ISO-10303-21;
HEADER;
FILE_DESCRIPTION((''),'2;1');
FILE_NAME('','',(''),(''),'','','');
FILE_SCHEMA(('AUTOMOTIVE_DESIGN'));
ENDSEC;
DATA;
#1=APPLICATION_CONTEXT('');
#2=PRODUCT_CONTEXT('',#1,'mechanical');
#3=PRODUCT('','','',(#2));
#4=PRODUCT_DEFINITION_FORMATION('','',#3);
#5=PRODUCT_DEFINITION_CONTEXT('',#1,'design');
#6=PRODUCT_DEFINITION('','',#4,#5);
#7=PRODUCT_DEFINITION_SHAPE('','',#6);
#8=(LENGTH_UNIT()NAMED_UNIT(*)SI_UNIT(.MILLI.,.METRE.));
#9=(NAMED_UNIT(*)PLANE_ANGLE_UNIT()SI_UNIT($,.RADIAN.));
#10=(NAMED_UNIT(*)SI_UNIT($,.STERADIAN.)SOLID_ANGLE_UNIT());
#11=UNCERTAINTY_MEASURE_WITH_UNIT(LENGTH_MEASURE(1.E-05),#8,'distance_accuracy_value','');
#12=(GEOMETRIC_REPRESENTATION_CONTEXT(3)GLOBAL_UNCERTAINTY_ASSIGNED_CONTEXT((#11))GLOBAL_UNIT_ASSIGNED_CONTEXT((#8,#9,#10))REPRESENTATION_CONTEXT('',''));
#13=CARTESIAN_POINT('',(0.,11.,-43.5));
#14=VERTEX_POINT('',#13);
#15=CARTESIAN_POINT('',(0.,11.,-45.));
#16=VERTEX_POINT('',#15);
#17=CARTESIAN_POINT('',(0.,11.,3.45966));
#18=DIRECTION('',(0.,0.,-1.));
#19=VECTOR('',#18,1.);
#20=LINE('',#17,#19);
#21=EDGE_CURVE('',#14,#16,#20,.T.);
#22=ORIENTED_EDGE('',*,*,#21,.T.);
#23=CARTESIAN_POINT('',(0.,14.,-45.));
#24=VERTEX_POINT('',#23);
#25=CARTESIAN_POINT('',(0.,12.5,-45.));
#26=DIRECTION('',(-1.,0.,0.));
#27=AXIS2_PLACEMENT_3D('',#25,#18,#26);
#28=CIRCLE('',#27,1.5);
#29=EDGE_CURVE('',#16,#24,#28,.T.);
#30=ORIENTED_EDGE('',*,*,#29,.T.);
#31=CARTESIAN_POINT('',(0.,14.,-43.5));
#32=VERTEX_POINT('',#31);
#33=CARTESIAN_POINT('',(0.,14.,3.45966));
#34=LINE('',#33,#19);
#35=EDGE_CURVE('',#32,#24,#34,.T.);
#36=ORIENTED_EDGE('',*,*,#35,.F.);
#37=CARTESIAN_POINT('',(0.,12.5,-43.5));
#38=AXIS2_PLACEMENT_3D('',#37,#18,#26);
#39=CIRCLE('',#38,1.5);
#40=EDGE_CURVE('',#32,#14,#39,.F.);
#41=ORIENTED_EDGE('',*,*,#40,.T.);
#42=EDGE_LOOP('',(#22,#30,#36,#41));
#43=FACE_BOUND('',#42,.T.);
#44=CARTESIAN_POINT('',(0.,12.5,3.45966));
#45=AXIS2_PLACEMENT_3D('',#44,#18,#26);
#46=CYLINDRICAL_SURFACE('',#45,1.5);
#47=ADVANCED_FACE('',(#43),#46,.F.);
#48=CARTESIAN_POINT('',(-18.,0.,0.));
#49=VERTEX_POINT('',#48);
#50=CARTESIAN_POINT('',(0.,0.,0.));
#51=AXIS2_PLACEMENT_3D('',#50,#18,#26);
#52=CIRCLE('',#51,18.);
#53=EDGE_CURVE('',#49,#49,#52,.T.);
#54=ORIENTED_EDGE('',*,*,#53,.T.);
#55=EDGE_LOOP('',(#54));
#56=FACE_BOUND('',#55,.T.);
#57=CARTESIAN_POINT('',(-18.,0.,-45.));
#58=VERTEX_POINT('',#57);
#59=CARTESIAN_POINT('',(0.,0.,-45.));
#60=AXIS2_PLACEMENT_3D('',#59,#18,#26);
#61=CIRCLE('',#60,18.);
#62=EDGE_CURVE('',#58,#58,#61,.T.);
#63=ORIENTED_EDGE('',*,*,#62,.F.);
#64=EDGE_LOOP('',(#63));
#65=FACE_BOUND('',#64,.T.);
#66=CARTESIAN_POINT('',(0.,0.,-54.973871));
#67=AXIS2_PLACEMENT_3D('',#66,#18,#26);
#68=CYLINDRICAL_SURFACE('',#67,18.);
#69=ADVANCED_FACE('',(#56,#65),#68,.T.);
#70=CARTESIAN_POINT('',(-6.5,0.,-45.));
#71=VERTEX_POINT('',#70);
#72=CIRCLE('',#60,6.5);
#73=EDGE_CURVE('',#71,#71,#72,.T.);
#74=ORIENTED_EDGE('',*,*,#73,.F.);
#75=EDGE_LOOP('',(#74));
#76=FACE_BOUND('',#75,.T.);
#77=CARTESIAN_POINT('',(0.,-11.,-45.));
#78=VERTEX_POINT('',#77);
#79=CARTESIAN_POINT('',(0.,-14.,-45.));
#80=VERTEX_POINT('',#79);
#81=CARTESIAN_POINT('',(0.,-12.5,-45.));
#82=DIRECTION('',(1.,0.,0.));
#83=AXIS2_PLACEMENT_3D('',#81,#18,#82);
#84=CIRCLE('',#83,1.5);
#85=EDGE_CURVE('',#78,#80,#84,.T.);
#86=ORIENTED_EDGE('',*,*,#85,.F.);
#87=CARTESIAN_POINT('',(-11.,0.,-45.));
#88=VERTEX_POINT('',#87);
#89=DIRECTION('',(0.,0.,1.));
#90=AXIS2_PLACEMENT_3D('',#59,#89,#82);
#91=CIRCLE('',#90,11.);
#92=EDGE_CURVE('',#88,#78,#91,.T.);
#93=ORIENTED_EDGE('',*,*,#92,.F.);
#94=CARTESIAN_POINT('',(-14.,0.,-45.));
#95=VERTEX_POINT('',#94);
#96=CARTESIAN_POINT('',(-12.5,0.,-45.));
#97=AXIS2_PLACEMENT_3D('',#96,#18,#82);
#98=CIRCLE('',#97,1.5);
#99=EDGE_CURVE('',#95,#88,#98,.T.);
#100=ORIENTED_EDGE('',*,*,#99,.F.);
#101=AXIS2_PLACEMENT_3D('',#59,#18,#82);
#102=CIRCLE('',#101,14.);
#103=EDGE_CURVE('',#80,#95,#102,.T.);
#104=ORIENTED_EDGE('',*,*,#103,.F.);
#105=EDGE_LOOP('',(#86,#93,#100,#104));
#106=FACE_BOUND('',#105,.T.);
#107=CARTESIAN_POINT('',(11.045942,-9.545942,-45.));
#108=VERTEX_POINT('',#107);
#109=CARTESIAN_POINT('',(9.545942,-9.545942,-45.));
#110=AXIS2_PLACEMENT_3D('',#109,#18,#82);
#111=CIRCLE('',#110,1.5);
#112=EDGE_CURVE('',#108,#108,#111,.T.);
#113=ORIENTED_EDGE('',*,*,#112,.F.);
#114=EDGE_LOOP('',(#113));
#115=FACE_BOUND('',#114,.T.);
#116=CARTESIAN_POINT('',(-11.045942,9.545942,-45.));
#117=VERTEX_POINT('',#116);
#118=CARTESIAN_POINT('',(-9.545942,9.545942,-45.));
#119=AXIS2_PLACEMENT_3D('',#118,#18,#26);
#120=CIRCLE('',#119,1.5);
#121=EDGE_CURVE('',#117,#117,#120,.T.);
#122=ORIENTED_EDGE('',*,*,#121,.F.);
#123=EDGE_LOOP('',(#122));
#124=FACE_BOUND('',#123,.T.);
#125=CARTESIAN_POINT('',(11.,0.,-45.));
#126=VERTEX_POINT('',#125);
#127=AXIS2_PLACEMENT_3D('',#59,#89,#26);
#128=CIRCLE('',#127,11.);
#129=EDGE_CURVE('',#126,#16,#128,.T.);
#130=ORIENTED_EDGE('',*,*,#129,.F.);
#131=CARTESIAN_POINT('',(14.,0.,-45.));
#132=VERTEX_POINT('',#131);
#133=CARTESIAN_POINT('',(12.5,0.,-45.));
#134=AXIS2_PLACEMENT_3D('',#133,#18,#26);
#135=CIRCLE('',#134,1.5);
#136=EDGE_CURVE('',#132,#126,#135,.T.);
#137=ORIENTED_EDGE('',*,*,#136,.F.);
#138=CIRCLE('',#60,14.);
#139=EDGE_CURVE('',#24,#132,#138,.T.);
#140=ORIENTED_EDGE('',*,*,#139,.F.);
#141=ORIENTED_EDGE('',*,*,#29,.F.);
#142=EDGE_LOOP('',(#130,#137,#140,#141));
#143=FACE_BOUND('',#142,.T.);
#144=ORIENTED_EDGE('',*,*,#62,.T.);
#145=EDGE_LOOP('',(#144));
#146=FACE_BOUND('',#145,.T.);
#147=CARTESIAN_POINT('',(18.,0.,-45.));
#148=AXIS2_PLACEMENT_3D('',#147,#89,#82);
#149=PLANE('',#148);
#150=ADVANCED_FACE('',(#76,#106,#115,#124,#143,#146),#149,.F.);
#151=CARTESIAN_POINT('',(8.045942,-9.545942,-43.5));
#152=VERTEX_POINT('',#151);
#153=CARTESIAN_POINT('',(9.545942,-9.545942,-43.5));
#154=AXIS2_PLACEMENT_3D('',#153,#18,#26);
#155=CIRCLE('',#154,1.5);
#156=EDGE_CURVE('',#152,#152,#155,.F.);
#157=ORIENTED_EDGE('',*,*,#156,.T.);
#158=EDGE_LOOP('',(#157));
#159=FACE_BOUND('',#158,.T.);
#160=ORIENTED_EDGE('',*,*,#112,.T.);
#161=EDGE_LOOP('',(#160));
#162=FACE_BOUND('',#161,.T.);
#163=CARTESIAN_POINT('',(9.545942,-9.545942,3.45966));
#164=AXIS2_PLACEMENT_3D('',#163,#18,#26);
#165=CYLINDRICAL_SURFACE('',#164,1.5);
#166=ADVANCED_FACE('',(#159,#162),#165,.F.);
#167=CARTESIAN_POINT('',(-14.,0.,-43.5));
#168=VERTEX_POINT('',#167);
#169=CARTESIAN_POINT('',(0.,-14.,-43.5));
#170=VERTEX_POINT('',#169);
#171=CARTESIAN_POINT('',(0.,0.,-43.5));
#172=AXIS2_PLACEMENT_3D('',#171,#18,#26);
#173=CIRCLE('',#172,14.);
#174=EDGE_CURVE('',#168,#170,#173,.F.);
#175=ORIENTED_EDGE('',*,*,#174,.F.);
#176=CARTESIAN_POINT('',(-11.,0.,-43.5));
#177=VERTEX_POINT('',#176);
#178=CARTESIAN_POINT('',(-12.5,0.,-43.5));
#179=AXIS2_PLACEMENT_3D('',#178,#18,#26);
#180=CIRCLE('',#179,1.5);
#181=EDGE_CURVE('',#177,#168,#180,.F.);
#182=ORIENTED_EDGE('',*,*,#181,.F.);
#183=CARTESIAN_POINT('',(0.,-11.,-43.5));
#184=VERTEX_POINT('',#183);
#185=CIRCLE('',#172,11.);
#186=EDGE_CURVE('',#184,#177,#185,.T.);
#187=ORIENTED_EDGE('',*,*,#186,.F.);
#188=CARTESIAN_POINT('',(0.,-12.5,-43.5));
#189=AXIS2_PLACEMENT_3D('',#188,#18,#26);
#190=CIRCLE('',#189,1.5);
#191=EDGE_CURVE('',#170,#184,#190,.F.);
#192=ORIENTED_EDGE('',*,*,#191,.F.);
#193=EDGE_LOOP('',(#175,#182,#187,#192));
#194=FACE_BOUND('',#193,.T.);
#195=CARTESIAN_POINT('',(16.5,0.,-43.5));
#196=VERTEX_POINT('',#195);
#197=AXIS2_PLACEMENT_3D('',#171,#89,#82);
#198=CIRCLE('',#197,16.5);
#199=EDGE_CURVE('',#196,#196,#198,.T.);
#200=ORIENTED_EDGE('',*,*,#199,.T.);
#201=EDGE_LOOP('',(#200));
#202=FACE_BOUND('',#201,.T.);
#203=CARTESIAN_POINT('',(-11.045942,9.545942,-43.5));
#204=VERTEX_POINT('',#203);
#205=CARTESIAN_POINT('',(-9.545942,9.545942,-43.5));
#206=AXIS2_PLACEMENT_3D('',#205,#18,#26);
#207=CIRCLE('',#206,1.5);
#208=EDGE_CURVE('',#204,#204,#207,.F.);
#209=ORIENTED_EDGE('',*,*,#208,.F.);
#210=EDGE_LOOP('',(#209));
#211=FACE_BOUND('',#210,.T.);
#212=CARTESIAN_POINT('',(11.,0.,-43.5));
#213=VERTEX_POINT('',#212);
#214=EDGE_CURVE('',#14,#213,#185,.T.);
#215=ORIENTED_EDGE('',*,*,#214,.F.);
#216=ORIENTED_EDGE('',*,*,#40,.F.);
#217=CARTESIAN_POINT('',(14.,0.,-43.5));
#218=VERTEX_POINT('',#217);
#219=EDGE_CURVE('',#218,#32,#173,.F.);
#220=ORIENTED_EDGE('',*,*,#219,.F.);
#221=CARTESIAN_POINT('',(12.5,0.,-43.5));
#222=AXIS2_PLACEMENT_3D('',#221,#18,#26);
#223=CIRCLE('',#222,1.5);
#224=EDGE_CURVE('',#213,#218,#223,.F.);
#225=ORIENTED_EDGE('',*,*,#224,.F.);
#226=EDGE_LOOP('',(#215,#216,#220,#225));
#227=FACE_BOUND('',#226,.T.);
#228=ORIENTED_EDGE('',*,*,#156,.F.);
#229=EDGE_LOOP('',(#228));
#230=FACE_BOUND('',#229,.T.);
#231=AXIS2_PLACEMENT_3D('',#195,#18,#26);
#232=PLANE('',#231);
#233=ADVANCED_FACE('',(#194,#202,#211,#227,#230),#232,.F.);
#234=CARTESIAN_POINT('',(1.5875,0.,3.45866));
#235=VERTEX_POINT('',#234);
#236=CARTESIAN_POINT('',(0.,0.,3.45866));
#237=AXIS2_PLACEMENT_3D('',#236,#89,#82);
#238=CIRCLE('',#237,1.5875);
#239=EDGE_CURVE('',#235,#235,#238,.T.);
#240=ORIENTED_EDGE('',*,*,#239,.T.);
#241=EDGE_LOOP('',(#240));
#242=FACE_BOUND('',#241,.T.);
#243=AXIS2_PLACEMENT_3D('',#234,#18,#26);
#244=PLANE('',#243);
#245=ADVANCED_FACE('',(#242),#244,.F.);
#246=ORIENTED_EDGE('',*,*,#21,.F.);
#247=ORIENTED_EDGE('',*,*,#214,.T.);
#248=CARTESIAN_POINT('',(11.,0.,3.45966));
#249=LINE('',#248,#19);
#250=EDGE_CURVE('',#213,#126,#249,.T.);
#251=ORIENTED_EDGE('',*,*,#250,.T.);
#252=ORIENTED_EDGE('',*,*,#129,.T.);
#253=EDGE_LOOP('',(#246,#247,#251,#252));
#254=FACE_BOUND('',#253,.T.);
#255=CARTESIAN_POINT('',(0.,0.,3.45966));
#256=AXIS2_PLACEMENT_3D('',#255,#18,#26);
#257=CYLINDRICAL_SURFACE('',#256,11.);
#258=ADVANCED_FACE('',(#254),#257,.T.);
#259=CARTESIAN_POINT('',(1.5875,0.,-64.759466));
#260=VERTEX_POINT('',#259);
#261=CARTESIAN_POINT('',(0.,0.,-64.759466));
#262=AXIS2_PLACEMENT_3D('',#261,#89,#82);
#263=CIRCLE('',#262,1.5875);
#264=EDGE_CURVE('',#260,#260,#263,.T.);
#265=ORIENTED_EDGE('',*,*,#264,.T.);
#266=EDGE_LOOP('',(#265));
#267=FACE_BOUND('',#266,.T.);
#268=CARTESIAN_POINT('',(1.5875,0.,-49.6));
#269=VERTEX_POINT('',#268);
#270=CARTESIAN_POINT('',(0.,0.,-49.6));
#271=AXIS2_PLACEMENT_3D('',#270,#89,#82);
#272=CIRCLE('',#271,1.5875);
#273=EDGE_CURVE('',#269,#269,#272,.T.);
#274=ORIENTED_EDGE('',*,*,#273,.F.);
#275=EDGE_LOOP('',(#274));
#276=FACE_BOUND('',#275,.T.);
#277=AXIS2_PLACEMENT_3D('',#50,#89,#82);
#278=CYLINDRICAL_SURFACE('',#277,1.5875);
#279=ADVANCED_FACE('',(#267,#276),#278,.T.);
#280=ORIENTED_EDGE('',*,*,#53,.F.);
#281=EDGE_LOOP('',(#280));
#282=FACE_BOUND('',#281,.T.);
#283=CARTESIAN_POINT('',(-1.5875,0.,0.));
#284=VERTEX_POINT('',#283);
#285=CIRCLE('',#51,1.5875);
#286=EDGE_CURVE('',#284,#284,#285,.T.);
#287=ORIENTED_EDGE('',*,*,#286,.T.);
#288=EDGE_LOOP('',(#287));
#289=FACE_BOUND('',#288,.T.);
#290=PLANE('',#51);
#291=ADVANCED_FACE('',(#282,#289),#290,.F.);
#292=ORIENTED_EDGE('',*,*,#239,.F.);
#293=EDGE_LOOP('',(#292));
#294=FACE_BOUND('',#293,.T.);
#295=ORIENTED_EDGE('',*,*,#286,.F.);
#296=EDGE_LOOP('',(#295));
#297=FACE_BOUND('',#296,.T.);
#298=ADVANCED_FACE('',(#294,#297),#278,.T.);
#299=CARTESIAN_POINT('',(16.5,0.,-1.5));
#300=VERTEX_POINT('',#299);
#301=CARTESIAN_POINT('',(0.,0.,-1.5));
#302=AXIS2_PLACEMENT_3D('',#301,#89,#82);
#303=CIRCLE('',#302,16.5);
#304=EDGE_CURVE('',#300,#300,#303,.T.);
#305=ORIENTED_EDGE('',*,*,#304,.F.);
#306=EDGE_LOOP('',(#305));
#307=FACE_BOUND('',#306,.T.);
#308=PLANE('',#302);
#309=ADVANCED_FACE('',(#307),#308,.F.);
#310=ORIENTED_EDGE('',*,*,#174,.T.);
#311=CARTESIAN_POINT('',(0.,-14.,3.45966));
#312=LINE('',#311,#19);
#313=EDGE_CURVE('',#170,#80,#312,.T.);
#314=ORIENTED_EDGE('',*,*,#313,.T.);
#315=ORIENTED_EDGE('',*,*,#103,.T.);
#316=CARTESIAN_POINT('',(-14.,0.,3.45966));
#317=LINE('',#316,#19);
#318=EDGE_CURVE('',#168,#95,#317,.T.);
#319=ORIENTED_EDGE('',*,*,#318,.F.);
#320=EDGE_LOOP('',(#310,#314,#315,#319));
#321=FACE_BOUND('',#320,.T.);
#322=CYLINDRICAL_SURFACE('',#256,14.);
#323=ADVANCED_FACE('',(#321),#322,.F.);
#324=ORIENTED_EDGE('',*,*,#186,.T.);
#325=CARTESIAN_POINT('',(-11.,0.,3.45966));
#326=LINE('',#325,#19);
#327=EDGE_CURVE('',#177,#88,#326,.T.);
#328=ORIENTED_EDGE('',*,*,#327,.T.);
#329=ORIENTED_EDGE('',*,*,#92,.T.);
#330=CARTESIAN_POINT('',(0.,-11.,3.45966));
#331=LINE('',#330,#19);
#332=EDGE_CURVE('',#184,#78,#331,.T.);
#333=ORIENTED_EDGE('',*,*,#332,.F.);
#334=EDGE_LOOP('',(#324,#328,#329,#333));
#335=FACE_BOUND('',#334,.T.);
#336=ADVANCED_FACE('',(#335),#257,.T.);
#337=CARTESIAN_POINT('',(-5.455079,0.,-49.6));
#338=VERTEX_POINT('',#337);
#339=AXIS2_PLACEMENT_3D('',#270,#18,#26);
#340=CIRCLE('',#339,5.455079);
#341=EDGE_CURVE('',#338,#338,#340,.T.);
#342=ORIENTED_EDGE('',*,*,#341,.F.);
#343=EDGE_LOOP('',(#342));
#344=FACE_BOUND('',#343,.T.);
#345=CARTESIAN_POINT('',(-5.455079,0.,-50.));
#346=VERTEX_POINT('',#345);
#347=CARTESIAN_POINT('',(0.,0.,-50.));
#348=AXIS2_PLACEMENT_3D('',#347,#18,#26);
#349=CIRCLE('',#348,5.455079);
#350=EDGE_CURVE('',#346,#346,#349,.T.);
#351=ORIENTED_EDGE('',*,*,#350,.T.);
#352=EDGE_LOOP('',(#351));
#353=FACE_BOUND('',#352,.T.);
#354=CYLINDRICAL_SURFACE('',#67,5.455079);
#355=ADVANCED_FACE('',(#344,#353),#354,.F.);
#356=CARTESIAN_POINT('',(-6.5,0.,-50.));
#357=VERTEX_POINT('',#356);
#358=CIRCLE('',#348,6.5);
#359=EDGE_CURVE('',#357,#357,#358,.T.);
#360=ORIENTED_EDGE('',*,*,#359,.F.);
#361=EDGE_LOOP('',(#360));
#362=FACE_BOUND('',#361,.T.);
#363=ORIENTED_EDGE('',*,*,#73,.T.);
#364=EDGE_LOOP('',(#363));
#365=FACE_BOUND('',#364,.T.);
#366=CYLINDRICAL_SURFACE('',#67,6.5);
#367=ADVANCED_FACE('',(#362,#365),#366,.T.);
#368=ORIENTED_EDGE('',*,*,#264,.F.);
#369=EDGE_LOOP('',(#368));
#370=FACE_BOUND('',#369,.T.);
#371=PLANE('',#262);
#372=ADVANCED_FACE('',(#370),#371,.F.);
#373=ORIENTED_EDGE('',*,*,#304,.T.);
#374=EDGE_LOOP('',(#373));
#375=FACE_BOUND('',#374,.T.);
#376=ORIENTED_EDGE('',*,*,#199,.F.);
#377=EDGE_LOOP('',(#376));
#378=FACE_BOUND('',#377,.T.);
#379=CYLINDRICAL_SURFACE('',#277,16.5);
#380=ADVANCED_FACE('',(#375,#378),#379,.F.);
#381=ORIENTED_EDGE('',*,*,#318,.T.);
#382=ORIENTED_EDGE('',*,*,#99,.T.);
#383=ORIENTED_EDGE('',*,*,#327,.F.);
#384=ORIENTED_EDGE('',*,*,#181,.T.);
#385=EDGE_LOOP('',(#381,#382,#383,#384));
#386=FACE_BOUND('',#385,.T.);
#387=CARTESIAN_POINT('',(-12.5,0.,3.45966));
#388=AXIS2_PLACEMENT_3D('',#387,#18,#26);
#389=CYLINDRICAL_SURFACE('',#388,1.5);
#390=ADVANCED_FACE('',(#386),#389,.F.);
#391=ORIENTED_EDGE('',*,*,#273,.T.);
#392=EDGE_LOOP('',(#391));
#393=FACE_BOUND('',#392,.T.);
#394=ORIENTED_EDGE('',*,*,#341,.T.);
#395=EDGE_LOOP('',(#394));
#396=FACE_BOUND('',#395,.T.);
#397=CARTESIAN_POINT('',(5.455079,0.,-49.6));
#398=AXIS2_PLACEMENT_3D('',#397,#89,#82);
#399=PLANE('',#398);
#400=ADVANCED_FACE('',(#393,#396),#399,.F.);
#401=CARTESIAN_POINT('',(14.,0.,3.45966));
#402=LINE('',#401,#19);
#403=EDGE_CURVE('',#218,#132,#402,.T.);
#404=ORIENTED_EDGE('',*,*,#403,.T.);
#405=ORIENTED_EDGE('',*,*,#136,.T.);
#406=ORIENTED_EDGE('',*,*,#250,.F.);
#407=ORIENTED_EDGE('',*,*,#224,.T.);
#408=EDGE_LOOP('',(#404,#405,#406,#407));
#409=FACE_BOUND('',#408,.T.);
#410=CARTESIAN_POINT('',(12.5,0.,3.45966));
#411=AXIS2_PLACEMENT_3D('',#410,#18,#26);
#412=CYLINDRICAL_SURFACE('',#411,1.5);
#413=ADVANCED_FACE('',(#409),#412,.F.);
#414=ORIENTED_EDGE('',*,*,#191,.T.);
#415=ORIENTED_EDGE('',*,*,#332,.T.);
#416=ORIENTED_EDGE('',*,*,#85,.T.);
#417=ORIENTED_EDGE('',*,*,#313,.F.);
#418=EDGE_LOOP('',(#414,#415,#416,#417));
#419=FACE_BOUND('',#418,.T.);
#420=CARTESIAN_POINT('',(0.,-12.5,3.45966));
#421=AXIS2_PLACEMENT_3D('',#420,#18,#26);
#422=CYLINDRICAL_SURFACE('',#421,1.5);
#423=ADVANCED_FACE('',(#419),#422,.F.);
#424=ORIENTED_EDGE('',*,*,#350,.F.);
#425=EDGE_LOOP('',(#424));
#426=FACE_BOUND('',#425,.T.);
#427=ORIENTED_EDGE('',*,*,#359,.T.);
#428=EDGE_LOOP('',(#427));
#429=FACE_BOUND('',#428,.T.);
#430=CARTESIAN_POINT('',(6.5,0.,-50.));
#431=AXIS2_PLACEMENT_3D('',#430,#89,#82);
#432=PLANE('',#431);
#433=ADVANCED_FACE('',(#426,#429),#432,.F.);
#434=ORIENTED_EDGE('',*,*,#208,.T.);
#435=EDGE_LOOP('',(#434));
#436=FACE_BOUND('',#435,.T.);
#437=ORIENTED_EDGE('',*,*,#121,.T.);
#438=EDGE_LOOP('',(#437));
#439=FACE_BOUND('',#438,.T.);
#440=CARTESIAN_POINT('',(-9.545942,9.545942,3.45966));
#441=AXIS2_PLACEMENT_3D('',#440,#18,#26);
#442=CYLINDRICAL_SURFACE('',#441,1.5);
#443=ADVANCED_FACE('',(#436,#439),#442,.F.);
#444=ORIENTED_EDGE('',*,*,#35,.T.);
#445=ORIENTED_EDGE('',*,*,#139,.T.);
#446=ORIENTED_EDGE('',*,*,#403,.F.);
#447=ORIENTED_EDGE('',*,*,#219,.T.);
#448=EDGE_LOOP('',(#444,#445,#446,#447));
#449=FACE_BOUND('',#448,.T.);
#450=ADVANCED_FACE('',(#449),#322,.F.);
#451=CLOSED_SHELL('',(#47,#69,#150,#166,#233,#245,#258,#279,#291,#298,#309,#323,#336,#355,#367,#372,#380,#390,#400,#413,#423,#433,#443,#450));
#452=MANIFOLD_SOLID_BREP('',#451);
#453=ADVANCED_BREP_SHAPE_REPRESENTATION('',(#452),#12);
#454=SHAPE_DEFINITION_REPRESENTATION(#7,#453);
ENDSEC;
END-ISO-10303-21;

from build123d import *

# Parameters (mm, degrees)
SKETCH3_W          = 1.5875
SKETCH3_H          = 68.218126879
SKETCH4_W          = 16.5
SKETCH4_H          = 42
CUT_EXTRUDE1_REACH = 56.738
SKETCH5_R          = 1.5


with BuildPart() as part:
    # Sketch2 → Revolve1 (revolve)
    with BuildSketch(Plane(origin=(0, 0, 0), x_dir=(1, 0, 0), z_dir=(0, 1, 0)), mode=Mode.PRIVATE) as revolve1_sk:
        Polygon((0, 0), (18, 0), (18, 45), (6.5, 45), (6.5, 50), (5.455078682, 50), (5.455078682, 49.6), (0, 49.6), align=None)
    revolve(revolve1_sk.sketch.rotate(Axis((0, 0, -54.973870739), (0, 0, 1)), 180), axis=Axis((0, 0, -54.973870739), (0, 0, 1)))

    # Sketch3 → Revolve-Thin1 (revolve)
    with BuildSketch(Plane(origin=(0, 0, 0), x_dir=(1, 0, 0), z_dir=(0, 1, 0)), mode=Mode.PRIVATE) as revolve_thin1_sk:
        with Locations((-0.79375, 30.65040302)):
            Rectangle(SKETCH3_W, SKETCH3_H)
    revolve(revolve_thin1_sk.sketch.rotate(Axis((0, 0, 0), (0, 0, -1)), 180), axis=Axis((0, 0, 0), (0, 0, -1)))

    # Sketch4 → Cut-Revolve2 (revolve, cut)
    with BuildSketch(Plane(origin=(0, 0, 0), x_dir=(1, 0, 0), z_dir=(0, 1, 0))):
        with Locations((8.25, 22.5)):
            Rectangle(SKETCH4_W, SKETCH4_H)
    revolve(axis=Axis((0, 0, 0), (0, 0, -1)), mode=Mode.SUBTRACT)

    # Sketch5 → Cut-Extrude1 (cut, up to next)
    with BuildSketch(Plane(origin=(0, 0, -45), x_dir=(-1, 0, 0), z_dir=(0, 0, -1)), mode=Mode.PRIVATE) as cut_extrude1_sk1:
        with Locations((9.545941546, 9.545941546)):
            Circle(SKETCH5_R)
    cut_extrude1_tool1 = extrude(cut_extrude1_sk1.sketch, amount=-CUT_EXTRUDE1_REACH, mode=Mode.PRIVATE) & part.part
    # Sketch5 → Cut-Extrude1 (cut, up to next)
    with BuildSketch(Plane(origin=(0, 0, -45), x_dir=(-1, 0, 0), z_dir=(0, 0, -1)), mode=Mode.PRIVATE) as cut_extrude1_sk2:
        with Locations((-9.545941546, -9.545941546)):
            Circle(SKETCH5_R)
    cut_extrude1_tool2 = extrude(cut_extrude1_sk2.sketch, amount=-CUT_EXTRUDE1_REACH, mode=Mode.PRIVATE) & part.part
    # Sketch5 → Cut-Extrude1 (cut, up to next)
    with BuildSketch(Plane(origin=(0, 0, -45), x_dir=(-1, 0, 0), z_dir=(0, 0, -1)), mode=Mode.PRIVATE) as cut_extrude1_sk3:
        with BuildLine():
            ThreePointArc((0, 14), (-9.899494937, 9.899494937), (-14, 0))
            ThreePointArc((-14, 0), (-12.5, -1.5), (-11, 0))
            ThreePointArc((-11, 0), (-7.778174593, 7.778174593), (0, 11))
            ThreePointArc((0, 11), (1.5, 12.5), (0, 14))
        make_face()
    cut_extrude1_tool3 = extrude(cut_extrude1_sk3.sketch, amount=-CUT_EXTRUDE1_REACH, mode=Mode.PRIVATE) & part.part
    # Sketch5 → Cut-Extrude1 (cut, up to next)
    with BuildSketch(Plane(origin=(0, 0, -45), x_dir=(-1, 0, 0), z_dir=(0, 0, -1)), mode=Mode.PRIVATE) as cut_extrude1_sk4:
        with BuildLine():
            ThreePointArc((14, 0), (9.899494937, -9.899494937), (0, -14))
            ThreePointArc((0, -14), (-1.5, -12.5), (0, -11))
            ThreePointArc((0, -11), (7.778174593, -7.778174593), (11, 0))
            ThreePointArc((11, 0), (12.5, 1.5), (14, 0))
        make_face()
    cut_extrude1_tool4 = extrude(cut_extrude1_sk4.sketch, amount=-CUT_EXTRUDE1_REACH, mode=Mode.PRIVATE) & part.part
    add(cut_extrude1_tool1.solids().sort_by_distance((-9.545942, 9.545942, -45))[0], mode=Mode.SUBTRACT)
    add(cut_extrude1_tool2.solids().sort_by_distance((9.545942, -9.545942, -45))[0], mode=Mode.SUBTRACT)
    add(cut_extrude1_tool3.solids().sort_by_distance((12.5, -1.280797, -45))[0], mode=Mode.SUBTRACT)
    add(cut_extrude1_tool4.solids().sort_by_distance((-7.933175, -7.933175, -45))[0], mode=Mode.SUBTRACT)


solid = part.part
